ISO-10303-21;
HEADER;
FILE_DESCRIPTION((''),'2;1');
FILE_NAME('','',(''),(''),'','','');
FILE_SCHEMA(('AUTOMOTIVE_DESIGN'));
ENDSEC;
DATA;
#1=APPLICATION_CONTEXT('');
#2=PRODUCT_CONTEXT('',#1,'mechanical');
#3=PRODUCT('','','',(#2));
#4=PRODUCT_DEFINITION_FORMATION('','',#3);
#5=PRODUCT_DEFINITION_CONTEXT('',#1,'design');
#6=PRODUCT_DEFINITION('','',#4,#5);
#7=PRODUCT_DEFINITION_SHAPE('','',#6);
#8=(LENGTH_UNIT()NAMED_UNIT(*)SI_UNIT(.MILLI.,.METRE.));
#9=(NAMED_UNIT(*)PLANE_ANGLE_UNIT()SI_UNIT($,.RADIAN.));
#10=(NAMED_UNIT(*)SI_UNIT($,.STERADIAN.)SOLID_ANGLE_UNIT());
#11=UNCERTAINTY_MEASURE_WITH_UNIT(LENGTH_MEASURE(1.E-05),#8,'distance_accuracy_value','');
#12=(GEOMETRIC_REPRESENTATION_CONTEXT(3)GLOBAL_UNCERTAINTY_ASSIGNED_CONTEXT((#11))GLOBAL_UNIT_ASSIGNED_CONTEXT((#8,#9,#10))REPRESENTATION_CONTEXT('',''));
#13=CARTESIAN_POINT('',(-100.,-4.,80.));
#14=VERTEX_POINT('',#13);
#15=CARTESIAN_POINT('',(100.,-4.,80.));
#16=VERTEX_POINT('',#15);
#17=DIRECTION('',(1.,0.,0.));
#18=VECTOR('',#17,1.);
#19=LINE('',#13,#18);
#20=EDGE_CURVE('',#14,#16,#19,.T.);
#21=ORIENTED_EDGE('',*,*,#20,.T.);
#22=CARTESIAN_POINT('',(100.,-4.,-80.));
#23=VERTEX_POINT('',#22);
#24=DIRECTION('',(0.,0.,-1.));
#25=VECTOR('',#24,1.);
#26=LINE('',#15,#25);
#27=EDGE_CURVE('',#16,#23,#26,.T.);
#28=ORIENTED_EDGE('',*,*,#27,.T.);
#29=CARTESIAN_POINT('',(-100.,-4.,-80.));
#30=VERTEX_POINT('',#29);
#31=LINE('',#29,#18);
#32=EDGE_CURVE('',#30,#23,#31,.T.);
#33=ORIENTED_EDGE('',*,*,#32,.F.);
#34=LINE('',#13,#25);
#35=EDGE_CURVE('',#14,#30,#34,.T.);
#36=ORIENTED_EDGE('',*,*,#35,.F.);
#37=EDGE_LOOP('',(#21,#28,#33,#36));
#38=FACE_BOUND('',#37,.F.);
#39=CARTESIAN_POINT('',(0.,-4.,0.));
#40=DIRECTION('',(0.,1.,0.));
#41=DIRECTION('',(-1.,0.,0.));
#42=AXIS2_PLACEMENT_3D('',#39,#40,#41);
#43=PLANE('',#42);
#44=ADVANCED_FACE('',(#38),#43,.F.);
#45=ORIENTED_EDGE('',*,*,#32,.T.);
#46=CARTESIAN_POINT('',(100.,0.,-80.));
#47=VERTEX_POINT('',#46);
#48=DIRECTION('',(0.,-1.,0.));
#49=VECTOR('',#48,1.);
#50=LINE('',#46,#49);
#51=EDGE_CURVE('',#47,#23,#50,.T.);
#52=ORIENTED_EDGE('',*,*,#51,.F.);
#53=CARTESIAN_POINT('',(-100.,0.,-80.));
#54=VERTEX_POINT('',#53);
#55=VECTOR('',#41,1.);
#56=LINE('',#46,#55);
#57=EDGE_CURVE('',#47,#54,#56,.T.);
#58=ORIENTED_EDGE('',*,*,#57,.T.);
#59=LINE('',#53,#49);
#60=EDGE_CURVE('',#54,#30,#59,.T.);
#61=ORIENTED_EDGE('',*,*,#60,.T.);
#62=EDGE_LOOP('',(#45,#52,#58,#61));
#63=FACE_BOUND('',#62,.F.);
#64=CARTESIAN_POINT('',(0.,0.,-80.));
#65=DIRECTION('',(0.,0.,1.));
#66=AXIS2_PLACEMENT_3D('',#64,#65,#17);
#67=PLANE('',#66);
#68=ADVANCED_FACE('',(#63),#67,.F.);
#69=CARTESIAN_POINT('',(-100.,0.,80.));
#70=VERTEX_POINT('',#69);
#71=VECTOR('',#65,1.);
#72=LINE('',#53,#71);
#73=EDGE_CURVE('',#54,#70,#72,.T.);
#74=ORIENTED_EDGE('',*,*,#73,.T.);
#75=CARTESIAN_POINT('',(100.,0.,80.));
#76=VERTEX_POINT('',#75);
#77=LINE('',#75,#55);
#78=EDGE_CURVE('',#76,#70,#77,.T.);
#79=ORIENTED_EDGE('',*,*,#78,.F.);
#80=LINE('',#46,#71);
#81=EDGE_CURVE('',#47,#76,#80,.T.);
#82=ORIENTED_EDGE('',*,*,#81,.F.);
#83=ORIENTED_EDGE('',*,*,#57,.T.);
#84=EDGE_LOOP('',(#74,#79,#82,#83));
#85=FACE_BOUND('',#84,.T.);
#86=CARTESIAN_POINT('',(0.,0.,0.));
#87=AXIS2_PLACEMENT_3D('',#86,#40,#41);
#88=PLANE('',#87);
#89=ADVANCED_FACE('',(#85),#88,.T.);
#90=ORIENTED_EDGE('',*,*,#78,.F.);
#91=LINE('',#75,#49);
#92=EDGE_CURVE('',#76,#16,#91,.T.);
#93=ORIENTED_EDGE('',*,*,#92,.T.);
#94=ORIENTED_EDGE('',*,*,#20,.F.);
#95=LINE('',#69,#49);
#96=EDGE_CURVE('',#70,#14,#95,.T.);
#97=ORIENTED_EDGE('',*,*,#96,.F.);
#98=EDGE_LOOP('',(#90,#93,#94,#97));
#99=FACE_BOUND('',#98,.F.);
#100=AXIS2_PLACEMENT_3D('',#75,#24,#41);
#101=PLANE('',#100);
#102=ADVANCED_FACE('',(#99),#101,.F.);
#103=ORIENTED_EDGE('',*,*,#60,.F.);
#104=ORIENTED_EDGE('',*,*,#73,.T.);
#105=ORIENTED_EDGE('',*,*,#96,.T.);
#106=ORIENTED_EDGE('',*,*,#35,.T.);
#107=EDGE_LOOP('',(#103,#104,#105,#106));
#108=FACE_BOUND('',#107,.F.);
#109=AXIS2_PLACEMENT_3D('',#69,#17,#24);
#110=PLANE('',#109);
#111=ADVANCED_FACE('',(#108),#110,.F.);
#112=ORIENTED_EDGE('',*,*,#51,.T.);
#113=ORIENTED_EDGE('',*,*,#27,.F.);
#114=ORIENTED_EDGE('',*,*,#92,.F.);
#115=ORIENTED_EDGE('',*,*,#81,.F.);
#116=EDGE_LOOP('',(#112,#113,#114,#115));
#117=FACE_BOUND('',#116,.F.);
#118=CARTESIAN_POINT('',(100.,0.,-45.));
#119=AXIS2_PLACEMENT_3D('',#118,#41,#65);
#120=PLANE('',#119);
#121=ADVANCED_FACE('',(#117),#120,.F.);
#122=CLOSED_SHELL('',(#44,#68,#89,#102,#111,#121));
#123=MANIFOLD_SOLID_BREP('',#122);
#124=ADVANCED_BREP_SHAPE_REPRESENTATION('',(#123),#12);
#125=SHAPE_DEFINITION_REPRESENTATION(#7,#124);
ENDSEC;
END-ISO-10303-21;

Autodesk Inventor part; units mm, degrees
ref_plane "YZ Plane" through (0, 0, 0) normal (1, 0, 0) x (0, 1, 0)
ref_plane "XZ Plane" through (0, 0, 0) normal (0, 1, 0) x (-1, 0, 0)
ref_plane "XY Plane" through (0, 0, 0) normal (0, 0, 1) x (1, 0, 0)
sketch "Sketch1" plane through (0, 0, 0) normal (0, 1, 0) x (-1, 0, 0)
  line L0 (-100, 80) -> (100, 80)
  line L1 (100, 80) -> (100, -80)
  line L2 (100, -80) -> (-100, -80)
  line L3 (-100, -80) -> (-100, 80)
  line L4 (-100, 80) -> (100, -80) construction
  line L5 (100, 80) -> (-100, -80) construction
  line L6 (-100, -45) -> (100, -45)
  line L7 (0, -80) -> (0, 80)
  point P0 (0, 0)
  dimension "d0" = 200
  dimension "d1" = 160
  dimension "d5" = 35
  dimension "d6" = 100
extrude "Extrusion1" add sketch "Sketch1" against normal blind 4
properties part number "base"
